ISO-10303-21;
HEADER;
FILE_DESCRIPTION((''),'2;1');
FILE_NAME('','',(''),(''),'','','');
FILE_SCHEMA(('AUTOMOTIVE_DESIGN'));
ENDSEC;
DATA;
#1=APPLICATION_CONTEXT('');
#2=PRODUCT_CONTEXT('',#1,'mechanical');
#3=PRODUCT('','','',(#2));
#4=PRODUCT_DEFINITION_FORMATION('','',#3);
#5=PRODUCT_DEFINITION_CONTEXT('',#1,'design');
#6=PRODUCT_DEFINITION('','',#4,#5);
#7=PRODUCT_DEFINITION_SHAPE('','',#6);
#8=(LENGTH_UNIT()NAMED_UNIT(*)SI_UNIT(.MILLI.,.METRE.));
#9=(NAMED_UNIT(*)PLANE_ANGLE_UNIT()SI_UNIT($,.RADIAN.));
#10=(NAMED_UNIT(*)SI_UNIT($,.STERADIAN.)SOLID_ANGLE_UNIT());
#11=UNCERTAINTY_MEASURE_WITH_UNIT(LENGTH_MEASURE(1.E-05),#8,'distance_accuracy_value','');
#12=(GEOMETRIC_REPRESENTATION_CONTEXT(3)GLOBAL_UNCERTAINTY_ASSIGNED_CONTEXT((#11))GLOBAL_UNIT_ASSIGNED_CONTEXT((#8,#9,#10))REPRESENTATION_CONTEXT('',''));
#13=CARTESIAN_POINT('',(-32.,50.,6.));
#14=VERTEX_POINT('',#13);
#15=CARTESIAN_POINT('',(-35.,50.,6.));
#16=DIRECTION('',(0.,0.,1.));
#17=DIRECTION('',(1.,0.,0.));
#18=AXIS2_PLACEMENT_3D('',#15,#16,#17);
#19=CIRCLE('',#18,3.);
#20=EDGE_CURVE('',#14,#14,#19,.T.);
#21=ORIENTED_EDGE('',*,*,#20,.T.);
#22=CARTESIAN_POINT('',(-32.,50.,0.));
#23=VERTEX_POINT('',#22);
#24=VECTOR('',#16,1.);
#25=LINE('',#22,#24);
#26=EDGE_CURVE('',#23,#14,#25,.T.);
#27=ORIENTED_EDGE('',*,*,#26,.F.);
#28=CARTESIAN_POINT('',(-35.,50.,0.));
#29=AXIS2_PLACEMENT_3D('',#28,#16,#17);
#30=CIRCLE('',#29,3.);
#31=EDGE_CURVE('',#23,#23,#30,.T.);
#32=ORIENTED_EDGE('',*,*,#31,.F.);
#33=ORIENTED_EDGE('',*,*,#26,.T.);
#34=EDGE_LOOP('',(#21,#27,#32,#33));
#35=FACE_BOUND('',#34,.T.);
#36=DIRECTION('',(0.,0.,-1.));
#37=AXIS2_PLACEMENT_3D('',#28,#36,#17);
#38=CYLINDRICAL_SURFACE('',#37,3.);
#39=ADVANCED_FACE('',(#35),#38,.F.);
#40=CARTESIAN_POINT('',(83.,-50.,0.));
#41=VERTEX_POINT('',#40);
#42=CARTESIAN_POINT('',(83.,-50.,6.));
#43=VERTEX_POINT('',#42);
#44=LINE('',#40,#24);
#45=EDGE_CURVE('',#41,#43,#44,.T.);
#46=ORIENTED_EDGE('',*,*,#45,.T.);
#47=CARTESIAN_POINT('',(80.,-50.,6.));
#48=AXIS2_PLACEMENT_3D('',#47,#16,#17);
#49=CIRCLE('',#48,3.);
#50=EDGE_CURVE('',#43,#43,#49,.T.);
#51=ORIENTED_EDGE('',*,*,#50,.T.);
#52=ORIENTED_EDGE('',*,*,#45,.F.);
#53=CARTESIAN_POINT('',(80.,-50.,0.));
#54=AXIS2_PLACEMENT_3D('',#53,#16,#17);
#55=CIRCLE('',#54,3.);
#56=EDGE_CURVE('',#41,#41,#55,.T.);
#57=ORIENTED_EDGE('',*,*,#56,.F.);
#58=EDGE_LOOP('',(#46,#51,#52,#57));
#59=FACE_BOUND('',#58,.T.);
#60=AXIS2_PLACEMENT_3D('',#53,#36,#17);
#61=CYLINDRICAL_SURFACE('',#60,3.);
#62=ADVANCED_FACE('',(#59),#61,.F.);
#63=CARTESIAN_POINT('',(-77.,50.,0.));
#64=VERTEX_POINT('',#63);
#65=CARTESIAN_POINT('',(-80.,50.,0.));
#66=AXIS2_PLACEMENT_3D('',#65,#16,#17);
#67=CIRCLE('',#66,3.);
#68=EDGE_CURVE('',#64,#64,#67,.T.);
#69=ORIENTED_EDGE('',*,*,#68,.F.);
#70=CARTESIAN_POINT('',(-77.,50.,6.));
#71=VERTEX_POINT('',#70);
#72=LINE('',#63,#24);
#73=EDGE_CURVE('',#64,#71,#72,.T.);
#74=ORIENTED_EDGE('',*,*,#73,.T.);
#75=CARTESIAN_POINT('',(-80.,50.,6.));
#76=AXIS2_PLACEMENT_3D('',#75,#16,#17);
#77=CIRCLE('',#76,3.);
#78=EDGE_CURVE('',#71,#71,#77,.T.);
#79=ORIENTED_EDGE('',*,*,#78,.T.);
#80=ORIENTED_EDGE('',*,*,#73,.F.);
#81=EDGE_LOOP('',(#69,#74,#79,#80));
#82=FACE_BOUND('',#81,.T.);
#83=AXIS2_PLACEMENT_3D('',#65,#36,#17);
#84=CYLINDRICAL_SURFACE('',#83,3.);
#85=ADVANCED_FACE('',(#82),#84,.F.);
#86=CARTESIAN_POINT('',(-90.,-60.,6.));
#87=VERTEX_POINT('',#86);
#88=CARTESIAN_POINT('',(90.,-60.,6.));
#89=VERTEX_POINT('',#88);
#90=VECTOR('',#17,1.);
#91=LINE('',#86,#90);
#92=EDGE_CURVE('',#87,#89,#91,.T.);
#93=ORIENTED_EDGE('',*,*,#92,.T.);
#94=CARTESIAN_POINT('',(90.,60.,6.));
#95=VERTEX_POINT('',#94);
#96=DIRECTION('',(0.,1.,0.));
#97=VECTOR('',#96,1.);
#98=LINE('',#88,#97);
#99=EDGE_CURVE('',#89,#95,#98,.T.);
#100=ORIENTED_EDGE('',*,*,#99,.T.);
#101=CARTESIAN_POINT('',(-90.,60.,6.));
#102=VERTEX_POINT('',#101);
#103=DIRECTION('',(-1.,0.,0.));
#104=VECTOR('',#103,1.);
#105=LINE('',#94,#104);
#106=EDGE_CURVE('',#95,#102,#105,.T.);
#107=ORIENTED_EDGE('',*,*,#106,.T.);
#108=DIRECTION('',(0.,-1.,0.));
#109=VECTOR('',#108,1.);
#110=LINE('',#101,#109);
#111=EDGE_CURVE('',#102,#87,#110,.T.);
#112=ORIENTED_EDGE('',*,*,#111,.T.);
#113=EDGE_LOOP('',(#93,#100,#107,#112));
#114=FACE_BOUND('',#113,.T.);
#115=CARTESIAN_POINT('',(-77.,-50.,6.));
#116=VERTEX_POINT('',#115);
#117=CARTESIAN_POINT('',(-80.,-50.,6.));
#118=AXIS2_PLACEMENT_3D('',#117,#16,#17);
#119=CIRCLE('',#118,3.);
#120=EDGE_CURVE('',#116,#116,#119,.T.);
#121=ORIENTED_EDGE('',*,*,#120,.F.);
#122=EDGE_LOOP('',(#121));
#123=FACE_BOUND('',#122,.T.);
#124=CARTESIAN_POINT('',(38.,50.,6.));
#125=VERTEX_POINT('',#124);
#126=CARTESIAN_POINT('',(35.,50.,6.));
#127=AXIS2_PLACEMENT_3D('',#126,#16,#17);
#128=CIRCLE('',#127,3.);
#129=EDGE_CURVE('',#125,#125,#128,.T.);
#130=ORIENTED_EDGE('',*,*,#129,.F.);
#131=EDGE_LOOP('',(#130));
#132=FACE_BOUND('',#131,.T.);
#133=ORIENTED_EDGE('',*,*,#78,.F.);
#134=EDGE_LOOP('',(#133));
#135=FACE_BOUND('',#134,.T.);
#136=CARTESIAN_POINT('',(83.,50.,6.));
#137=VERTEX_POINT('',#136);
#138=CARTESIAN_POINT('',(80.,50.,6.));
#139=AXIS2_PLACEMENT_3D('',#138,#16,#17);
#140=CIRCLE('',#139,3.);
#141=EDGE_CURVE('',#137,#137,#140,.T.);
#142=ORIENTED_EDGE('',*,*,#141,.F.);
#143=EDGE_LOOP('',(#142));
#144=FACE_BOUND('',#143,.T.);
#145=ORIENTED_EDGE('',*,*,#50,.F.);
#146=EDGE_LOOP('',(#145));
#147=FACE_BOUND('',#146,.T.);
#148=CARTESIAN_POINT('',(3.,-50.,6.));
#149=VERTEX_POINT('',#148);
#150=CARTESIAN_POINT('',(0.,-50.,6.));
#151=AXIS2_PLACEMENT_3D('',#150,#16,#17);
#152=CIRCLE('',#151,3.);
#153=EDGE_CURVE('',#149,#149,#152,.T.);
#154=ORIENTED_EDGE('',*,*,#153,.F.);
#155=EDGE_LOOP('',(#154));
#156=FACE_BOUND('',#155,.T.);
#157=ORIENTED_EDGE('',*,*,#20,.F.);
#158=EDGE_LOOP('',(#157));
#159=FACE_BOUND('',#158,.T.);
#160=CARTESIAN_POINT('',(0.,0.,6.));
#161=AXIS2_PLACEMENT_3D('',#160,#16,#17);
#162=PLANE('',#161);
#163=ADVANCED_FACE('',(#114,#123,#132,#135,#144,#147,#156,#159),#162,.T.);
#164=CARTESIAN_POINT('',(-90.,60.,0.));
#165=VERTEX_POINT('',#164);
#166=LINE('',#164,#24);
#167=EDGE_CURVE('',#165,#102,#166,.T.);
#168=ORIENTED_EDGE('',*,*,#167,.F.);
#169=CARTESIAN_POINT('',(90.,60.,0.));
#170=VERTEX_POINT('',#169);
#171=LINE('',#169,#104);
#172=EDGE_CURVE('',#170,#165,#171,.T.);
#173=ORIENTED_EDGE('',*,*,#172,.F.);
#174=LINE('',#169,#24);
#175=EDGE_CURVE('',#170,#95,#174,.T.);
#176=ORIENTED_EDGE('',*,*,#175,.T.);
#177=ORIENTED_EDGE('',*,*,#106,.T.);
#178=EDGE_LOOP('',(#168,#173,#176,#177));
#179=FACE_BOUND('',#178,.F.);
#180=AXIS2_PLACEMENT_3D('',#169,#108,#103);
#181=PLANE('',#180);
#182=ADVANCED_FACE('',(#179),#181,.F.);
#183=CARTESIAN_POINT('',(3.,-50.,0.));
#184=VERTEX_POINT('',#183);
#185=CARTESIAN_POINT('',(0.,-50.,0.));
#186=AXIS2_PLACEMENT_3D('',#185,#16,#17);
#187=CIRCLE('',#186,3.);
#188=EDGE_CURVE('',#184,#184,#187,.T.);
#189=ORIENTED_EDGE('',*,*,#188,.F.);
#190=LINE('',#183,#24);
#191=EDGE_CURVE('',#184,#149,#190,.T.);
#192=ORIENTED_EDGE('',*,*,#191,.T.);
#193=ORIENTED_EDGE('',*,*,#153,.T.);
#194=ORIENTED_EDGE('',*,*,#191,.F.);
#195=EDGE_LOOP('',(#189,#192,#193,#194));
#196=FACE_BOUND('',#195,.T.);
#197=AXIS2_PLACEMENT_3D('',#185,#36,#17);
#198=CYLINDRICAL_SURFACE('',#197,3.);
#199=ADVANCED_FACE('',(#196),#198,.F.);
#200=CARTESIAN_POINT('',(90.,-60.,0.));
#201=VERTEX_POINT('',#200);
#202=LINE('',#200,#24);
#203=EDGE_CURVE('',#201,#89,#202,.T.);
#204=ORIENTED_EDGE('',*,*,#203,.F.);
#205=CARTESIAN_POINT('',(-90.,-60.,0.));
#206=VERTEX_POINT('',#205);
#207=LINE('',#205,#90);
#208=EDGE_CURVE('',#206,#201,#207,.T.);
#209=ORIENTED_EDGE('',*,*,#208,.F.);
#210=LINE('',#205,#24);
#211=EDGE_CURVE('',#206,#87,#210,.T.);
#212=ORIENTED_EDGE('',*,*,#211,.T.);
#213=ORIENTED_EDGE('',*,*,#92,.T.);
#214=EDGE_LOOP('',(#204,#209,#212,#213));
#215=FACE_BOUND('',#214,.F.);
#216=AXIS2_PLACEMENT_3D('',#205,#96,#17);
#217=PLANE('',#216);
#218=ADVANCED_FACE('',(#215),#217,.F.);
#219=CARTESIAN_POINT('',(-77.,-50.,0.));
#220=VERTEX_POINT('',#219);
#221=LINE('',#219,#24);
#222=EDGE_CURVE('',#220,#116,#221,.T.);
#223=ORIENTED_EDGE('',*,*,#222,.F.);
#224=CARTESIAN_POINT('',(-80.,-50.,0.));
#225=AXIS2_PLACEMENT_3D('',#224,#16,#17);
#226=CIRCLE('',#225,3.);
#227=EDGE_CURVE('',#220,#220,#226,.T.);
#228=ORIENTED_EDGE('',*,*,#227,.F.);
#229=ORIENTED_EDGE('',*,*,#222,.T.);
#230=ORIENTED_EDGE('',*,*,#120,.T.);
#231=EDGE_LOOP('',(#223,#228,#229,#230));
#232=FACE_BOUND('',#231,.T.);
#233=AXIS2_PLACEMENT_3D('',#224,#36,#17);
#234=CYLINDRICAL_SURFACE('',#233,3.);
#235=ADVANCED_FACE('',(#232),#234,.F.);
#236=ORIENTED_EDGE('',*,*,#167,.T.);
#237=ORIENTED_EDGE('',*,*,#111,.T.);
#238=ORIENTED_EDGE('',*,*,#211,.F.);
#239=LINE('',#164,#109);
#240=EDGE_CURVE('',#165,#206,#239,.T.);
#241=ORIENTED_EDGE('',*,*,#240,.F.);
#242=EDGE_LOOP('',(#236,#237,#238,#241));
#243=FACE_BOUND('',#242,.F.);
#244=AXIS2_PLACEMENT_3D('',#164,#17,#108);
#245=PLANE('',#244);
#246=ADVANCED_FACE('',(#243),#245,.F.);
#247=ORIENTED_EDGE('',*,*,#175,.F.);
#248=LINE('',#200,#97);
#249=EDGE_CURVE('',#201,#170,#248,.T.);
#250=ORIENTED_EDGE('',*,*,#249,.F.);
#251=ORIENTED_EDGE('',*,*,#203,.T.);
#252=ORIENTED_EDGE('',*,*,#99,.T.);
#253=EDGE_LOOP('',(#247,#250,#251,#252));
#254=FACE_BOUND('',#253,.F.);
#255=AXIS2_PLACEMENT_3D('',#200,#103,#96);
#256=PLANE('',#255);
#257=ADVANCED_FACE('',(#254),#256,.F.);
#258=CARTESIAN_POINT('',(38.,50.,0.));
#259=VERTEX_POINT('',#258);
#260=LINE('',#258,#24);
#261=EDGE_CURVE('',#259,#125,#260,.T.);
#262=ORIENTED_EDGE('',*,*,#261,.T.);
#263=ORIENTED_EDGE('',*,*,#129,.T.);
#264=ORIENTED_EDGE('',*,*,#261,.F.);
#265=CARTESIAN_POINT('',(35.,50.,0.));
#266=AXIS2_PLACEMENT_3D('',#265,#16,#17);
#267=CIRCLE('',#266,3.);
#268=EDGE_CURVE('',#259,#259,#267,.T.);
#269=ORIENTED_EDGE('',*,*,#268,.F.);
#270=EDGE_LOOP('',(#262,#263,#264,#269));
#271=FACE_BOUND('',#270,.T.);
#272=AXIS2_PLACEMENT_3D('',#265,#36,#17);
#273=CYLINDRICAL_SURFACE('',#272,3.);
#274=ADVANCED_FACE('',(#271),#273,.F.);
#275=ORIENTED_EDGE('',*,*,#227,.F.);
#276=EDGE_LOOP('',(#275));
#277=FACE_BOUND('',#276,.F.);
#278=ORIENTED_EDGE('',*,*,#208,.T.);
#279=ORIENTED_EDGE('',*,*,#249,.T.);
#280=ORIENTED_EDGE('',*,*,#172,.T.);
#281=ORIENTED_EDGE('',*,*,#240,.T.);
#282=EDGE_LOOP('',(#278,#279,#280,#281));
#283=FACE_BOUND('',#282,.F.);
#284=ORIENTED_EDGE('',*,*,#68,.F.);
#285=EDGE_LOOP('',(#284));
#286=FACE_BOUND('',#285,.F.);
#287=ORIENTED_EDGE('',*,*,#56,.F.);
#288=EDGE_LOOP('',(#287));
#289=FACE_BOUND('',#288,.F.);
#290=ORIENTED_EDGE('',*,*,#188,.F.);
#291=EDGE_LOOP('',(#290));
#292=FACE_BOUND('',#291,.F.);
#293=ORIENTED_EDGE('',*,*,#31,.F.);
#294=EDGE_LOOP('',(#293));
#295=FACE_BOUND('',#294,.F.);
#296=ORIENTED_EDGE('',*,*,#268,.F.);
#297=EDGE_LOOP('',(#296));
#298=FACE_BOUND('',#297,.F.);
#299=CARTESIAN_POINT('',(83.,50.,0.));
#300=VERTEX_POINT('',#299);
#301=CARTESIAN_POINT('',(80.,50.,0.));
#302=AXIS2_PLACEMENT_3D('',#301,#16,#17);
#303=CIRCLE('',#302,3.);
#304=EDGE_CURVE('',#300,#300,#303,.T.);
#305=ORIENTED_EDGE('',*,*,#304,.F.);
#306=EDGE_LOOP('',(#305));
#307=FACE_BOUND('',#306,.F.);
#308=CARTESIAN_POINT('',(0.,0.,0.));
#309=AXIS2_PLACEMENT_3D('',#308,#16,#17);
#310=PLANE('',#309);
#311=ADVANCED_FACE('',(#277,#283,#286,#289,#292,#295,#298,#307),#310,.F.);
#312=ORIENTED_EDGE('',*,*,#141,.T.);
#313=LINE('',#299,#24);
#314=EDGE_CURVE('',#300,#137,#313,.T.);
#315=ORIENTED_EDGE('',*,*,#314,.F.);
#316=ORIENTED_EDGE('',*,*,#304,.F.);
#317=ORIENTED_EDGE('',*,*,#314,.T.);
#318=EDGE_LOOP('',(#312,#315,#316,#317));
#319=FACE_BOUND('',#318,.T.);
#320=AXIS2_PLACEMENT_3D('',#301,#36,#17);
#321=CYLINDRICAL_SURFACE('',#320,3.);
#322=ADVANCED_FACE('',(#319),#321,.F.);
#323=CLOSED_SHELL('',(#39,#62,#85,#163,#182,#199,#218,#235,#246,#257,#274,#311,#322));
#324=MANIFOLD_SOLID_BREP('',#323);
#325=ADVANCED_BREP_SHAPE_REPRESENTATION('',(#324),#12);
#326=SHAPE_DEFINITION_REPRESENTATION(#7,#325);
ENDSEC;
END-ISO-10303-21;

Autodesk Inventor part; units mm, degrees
ref_plane "YZ Plane" through (0, 0, 0) normal (1, 0, 0) x (0, 1, 0)
ref_plane "XZ Plane" through (0, 0, 0) normal (0, 1, 0) x (-1, 0, 0)
ref_plane "XY Plane" through (0, 0, 0) normal (0, 0, 1) x (1, 0, 0)
sketch "Sketch1" plane through (0, 0, 0) normal (0, 0, 1) x (1, 0, 0)
  line L0 (-70, 40) -> (70, 40) construction
  line L1 (70, 40) -> (70, -40) construction
  line L2 (70, -40) -> (-70, -40) construction
  line L3 (-70, -40) -> (-70, 40) construction
  line L4 (90, 60) -> (-90, 60)
  line L5 (-90, 60) -> (-90, -60)
  line L6 (-90, -60) -> (90, -60)
  line L7 (90, -60) -> (90, 60)
  circle A0 centre (-80, -50) radius 3
  circle A1 centre (80, 50) radius 3
  circle A2 centre (0, -50) radius 3
  circle A3 centre (80, -50) radius 3
  circle A4 centre (-80, 50) radius 3
  line L8 (0, 60) -> (0, -60) construction
  line L9 (-90, 0) -> (90, 0) construction
  circle A5 centre (-35, 50) radius 3
  circle A6 centre (35, 50) radius 3
  point P0 (0, 0)
  point P1 (-70, 0)
  point P2 (0, 40)
  point P3 (0, 0)
  dimension "d0" = 140
  dimension "d1" = 80
  dimension "d2" = 20
  dimension "d3" = 6
  dimension "d4" = 10
  dimension "d5" = 10
  dimension "d8" = 35
extrude "Extrusion1" add sketch "Sketch1" along normal blind 6
properties part number "top"
